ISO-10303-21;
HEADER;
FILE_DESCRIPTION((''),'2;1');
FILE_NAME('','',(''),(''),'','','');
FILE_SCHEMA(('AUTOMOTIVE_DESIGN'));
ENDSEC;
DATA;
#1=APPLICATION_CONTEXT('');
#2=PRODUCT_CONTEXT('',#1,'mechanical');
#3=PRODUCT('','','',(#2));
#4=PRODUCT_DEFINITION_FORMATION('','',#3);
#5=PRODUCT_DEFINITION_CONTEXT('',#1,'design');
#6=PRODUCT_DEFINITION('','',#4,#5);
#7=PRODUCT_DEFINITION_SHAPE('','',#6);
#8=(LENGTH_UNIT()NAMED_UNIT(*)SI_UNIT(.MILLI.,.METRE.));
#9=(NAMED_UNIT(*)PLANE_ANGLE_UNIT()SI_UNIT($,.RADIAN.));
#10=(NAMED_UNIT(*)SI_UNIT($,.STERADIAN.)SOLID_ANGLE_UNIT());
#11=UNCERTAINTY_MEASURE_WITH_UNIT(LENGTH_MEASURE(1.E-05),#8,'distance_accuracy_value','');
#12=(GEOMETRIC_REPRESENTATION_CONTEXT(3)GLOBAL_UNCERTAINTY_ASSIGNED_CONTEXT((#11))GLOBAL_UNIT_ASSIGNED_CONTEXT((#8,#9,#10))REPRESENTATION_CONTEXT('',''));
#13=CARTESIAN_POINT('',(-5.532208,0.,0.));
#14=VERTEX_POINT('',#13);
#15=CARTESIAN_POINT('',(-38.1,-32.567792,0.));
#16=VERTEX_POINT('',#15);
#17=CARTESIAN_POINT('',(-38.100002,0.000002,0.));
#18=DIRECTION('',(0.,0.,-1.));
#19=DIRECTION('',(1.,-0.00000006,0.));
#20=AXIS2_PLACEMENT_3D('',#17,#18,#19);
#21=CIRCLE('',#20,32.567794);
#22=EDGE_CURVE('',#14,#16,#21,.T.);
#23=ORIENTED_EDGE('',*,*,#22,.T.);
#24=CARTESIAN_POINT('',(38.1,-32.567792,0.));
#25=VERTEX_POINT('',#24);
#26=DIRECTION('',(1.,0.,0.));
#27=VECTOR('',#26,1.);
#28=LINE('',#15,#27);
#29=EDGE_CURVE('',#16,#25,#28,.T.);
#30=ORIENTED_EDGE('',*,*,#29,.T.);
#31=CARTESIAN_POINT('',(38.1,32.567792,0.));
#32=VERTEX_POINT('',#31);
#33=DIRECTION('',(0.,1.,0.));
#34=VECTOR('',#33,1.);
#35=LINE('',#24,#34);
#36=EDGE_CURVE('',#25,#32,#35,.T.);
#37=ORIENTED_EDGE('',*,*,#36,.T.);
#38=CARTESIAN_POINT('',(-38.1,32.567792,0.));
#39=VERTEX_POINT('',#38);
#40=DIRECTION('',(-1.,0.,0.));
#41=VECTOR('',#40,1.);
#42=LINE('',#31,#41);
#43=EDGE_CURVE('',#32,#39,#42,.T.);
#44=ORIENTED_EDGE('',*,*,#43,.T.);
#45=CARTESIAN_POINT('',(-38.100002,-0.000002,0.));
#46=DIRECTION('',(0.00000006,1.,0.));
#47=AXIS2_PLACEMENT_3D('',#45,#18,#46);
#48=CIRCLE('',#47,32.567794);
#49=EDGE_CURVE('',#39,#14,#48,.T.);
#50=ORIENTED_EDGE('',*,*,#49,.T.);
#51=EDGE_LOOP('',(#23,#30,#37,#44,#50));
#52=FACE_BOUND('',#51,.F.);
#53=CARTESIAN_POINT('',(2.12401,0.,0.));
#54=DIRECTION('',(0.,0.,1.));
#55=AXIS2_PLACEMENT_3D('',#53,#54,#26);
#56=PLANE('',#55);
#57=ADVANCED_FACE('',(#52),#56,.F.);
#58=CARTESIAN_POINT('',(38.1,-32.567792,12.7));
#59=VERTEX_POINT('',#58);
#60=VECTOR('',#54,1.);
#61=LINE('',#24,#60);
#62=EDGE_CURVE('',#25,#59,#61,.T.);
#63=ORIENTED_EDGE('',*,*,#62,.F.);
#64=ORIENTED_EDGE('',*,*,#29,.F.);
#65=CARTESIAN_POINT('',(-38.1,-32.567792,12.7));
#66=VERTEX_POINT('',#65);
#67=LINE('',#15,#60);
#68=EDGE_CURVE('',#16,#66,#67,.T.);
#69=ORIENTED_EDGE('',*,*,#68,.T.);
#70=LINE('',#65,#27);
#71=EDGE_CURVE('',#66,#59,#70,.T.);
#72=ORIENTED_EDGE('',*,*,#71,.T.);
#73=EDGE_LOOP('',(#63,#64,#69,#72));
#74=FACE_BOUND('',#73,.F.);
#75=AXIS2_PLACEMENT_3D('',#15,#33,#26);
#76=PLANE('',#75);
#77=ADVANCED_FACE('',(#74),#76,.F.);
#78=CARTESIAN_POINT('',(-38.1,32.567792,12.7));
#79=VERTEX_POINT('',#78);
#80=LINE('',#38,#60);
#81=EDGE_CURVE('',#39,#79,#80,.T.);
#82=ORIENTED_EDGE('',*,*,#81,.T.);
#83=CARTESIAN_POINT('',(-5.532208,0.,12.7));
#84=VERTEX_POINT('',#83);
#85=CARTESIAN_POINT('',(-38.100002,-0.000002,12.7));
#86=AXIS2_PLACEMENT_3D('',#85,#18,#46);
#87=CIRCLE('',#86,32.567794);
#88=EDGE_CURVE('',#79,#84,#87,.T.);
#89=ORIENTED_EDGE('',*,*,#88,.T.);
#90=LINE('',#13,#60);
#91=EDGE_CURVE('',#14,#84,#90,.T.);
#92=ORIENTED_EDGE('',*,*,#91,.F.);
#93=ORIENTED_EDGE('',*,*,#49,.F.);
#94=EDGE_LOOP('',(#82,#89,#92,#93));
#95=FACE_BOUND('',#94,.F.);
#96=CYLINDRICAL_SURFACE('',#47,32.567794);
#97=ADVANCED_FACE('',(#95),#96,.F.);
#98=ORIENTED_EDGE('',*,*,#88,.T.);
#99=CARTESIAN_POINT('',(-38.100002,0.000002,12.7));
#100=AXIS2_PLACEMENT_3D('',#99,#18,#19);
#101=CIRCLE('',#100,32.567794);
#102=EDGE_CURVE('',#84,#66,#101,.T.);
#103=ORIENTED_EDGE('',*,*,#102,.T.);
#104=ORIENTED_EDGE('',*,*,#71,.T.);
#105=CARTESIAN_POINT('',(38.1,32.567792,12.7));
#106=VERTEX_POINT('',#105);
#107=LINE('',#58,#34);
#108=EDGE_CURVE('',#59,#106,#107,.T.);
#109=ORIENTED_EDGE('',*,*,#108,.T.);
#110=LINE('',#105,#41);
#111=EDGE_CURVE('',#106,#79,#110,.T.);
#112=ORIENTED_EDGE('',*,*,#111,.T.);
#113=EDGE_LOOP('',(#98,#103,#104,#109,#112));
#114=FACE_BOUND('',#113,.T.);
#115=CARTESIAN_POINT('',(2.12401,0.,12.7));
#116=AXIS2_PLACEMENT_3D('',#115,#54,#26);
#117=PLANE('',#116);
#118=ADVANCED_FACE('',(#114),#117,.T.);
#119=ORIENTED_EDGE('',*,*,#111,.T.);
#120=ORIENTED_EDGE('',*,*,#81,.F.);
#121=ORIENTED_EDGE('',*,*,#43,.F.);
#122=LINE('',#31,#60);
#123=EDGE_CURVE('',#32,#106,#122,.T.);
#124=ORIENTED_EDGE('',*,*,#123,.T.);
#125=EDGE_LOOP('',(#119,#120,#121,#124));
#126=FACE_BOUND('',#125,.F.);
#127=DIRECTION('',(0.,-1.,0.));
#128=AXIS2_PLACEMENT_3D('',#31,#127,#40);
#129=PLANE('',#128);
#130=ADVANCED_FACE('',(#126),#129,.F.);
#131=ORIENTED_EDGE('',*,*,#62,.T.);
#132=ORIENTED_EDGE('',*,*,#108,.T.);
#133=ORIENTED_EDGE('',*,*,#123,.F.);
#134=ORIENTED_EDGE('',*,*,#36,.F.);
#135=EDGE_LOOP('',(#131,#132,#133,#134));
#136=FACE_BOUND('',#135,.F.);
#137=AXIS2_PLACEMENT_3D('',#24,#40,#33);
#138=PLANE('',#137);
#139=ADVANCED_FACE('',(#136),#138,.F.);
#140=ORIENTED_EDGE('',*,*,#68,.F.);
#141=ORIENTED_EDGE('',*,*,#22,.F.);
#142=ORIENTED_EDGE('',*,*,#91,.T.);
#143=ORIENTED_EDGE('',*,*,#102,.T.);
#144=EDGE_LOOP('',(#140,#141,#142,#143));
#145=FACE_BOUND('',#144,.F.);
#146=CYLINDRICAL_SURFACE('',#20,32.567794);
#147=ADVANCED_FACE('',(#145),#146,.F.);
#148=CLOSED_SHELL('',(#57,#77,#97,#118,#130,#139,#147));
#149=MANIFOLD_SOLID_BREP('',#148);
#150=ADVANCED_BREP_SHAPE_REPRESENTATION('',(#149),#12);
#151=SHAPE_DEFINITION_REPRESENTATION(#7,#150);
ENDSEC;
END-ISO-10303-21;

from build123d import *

# Parameters (mm, degrees)
F1_DEPTH = 12.7


with BuildPart() as f1:
    # F0 (on Top) → F1 (new body)
    with BuildSketch(Plane.XY):
        with BuildLine():
            ThreePointArc((-5.532208, 0), (-15.071094, -23.028906), (-38.1, -32.567792))
            Line((-38.1, -32.567792), (38.1, -32.567792))
            Line((38.1, -32.567792), (38.1, 32.567792))
            Line((38.1, 32.567792), (-38.1, 32.567792))
            ThreePointArc((-38.1, 32.567792), (-15.071094, 23.028906), (-5.532208, 0))
        make_face()
    extrude(amount=F1_DEPTH)


solid = f1.part
